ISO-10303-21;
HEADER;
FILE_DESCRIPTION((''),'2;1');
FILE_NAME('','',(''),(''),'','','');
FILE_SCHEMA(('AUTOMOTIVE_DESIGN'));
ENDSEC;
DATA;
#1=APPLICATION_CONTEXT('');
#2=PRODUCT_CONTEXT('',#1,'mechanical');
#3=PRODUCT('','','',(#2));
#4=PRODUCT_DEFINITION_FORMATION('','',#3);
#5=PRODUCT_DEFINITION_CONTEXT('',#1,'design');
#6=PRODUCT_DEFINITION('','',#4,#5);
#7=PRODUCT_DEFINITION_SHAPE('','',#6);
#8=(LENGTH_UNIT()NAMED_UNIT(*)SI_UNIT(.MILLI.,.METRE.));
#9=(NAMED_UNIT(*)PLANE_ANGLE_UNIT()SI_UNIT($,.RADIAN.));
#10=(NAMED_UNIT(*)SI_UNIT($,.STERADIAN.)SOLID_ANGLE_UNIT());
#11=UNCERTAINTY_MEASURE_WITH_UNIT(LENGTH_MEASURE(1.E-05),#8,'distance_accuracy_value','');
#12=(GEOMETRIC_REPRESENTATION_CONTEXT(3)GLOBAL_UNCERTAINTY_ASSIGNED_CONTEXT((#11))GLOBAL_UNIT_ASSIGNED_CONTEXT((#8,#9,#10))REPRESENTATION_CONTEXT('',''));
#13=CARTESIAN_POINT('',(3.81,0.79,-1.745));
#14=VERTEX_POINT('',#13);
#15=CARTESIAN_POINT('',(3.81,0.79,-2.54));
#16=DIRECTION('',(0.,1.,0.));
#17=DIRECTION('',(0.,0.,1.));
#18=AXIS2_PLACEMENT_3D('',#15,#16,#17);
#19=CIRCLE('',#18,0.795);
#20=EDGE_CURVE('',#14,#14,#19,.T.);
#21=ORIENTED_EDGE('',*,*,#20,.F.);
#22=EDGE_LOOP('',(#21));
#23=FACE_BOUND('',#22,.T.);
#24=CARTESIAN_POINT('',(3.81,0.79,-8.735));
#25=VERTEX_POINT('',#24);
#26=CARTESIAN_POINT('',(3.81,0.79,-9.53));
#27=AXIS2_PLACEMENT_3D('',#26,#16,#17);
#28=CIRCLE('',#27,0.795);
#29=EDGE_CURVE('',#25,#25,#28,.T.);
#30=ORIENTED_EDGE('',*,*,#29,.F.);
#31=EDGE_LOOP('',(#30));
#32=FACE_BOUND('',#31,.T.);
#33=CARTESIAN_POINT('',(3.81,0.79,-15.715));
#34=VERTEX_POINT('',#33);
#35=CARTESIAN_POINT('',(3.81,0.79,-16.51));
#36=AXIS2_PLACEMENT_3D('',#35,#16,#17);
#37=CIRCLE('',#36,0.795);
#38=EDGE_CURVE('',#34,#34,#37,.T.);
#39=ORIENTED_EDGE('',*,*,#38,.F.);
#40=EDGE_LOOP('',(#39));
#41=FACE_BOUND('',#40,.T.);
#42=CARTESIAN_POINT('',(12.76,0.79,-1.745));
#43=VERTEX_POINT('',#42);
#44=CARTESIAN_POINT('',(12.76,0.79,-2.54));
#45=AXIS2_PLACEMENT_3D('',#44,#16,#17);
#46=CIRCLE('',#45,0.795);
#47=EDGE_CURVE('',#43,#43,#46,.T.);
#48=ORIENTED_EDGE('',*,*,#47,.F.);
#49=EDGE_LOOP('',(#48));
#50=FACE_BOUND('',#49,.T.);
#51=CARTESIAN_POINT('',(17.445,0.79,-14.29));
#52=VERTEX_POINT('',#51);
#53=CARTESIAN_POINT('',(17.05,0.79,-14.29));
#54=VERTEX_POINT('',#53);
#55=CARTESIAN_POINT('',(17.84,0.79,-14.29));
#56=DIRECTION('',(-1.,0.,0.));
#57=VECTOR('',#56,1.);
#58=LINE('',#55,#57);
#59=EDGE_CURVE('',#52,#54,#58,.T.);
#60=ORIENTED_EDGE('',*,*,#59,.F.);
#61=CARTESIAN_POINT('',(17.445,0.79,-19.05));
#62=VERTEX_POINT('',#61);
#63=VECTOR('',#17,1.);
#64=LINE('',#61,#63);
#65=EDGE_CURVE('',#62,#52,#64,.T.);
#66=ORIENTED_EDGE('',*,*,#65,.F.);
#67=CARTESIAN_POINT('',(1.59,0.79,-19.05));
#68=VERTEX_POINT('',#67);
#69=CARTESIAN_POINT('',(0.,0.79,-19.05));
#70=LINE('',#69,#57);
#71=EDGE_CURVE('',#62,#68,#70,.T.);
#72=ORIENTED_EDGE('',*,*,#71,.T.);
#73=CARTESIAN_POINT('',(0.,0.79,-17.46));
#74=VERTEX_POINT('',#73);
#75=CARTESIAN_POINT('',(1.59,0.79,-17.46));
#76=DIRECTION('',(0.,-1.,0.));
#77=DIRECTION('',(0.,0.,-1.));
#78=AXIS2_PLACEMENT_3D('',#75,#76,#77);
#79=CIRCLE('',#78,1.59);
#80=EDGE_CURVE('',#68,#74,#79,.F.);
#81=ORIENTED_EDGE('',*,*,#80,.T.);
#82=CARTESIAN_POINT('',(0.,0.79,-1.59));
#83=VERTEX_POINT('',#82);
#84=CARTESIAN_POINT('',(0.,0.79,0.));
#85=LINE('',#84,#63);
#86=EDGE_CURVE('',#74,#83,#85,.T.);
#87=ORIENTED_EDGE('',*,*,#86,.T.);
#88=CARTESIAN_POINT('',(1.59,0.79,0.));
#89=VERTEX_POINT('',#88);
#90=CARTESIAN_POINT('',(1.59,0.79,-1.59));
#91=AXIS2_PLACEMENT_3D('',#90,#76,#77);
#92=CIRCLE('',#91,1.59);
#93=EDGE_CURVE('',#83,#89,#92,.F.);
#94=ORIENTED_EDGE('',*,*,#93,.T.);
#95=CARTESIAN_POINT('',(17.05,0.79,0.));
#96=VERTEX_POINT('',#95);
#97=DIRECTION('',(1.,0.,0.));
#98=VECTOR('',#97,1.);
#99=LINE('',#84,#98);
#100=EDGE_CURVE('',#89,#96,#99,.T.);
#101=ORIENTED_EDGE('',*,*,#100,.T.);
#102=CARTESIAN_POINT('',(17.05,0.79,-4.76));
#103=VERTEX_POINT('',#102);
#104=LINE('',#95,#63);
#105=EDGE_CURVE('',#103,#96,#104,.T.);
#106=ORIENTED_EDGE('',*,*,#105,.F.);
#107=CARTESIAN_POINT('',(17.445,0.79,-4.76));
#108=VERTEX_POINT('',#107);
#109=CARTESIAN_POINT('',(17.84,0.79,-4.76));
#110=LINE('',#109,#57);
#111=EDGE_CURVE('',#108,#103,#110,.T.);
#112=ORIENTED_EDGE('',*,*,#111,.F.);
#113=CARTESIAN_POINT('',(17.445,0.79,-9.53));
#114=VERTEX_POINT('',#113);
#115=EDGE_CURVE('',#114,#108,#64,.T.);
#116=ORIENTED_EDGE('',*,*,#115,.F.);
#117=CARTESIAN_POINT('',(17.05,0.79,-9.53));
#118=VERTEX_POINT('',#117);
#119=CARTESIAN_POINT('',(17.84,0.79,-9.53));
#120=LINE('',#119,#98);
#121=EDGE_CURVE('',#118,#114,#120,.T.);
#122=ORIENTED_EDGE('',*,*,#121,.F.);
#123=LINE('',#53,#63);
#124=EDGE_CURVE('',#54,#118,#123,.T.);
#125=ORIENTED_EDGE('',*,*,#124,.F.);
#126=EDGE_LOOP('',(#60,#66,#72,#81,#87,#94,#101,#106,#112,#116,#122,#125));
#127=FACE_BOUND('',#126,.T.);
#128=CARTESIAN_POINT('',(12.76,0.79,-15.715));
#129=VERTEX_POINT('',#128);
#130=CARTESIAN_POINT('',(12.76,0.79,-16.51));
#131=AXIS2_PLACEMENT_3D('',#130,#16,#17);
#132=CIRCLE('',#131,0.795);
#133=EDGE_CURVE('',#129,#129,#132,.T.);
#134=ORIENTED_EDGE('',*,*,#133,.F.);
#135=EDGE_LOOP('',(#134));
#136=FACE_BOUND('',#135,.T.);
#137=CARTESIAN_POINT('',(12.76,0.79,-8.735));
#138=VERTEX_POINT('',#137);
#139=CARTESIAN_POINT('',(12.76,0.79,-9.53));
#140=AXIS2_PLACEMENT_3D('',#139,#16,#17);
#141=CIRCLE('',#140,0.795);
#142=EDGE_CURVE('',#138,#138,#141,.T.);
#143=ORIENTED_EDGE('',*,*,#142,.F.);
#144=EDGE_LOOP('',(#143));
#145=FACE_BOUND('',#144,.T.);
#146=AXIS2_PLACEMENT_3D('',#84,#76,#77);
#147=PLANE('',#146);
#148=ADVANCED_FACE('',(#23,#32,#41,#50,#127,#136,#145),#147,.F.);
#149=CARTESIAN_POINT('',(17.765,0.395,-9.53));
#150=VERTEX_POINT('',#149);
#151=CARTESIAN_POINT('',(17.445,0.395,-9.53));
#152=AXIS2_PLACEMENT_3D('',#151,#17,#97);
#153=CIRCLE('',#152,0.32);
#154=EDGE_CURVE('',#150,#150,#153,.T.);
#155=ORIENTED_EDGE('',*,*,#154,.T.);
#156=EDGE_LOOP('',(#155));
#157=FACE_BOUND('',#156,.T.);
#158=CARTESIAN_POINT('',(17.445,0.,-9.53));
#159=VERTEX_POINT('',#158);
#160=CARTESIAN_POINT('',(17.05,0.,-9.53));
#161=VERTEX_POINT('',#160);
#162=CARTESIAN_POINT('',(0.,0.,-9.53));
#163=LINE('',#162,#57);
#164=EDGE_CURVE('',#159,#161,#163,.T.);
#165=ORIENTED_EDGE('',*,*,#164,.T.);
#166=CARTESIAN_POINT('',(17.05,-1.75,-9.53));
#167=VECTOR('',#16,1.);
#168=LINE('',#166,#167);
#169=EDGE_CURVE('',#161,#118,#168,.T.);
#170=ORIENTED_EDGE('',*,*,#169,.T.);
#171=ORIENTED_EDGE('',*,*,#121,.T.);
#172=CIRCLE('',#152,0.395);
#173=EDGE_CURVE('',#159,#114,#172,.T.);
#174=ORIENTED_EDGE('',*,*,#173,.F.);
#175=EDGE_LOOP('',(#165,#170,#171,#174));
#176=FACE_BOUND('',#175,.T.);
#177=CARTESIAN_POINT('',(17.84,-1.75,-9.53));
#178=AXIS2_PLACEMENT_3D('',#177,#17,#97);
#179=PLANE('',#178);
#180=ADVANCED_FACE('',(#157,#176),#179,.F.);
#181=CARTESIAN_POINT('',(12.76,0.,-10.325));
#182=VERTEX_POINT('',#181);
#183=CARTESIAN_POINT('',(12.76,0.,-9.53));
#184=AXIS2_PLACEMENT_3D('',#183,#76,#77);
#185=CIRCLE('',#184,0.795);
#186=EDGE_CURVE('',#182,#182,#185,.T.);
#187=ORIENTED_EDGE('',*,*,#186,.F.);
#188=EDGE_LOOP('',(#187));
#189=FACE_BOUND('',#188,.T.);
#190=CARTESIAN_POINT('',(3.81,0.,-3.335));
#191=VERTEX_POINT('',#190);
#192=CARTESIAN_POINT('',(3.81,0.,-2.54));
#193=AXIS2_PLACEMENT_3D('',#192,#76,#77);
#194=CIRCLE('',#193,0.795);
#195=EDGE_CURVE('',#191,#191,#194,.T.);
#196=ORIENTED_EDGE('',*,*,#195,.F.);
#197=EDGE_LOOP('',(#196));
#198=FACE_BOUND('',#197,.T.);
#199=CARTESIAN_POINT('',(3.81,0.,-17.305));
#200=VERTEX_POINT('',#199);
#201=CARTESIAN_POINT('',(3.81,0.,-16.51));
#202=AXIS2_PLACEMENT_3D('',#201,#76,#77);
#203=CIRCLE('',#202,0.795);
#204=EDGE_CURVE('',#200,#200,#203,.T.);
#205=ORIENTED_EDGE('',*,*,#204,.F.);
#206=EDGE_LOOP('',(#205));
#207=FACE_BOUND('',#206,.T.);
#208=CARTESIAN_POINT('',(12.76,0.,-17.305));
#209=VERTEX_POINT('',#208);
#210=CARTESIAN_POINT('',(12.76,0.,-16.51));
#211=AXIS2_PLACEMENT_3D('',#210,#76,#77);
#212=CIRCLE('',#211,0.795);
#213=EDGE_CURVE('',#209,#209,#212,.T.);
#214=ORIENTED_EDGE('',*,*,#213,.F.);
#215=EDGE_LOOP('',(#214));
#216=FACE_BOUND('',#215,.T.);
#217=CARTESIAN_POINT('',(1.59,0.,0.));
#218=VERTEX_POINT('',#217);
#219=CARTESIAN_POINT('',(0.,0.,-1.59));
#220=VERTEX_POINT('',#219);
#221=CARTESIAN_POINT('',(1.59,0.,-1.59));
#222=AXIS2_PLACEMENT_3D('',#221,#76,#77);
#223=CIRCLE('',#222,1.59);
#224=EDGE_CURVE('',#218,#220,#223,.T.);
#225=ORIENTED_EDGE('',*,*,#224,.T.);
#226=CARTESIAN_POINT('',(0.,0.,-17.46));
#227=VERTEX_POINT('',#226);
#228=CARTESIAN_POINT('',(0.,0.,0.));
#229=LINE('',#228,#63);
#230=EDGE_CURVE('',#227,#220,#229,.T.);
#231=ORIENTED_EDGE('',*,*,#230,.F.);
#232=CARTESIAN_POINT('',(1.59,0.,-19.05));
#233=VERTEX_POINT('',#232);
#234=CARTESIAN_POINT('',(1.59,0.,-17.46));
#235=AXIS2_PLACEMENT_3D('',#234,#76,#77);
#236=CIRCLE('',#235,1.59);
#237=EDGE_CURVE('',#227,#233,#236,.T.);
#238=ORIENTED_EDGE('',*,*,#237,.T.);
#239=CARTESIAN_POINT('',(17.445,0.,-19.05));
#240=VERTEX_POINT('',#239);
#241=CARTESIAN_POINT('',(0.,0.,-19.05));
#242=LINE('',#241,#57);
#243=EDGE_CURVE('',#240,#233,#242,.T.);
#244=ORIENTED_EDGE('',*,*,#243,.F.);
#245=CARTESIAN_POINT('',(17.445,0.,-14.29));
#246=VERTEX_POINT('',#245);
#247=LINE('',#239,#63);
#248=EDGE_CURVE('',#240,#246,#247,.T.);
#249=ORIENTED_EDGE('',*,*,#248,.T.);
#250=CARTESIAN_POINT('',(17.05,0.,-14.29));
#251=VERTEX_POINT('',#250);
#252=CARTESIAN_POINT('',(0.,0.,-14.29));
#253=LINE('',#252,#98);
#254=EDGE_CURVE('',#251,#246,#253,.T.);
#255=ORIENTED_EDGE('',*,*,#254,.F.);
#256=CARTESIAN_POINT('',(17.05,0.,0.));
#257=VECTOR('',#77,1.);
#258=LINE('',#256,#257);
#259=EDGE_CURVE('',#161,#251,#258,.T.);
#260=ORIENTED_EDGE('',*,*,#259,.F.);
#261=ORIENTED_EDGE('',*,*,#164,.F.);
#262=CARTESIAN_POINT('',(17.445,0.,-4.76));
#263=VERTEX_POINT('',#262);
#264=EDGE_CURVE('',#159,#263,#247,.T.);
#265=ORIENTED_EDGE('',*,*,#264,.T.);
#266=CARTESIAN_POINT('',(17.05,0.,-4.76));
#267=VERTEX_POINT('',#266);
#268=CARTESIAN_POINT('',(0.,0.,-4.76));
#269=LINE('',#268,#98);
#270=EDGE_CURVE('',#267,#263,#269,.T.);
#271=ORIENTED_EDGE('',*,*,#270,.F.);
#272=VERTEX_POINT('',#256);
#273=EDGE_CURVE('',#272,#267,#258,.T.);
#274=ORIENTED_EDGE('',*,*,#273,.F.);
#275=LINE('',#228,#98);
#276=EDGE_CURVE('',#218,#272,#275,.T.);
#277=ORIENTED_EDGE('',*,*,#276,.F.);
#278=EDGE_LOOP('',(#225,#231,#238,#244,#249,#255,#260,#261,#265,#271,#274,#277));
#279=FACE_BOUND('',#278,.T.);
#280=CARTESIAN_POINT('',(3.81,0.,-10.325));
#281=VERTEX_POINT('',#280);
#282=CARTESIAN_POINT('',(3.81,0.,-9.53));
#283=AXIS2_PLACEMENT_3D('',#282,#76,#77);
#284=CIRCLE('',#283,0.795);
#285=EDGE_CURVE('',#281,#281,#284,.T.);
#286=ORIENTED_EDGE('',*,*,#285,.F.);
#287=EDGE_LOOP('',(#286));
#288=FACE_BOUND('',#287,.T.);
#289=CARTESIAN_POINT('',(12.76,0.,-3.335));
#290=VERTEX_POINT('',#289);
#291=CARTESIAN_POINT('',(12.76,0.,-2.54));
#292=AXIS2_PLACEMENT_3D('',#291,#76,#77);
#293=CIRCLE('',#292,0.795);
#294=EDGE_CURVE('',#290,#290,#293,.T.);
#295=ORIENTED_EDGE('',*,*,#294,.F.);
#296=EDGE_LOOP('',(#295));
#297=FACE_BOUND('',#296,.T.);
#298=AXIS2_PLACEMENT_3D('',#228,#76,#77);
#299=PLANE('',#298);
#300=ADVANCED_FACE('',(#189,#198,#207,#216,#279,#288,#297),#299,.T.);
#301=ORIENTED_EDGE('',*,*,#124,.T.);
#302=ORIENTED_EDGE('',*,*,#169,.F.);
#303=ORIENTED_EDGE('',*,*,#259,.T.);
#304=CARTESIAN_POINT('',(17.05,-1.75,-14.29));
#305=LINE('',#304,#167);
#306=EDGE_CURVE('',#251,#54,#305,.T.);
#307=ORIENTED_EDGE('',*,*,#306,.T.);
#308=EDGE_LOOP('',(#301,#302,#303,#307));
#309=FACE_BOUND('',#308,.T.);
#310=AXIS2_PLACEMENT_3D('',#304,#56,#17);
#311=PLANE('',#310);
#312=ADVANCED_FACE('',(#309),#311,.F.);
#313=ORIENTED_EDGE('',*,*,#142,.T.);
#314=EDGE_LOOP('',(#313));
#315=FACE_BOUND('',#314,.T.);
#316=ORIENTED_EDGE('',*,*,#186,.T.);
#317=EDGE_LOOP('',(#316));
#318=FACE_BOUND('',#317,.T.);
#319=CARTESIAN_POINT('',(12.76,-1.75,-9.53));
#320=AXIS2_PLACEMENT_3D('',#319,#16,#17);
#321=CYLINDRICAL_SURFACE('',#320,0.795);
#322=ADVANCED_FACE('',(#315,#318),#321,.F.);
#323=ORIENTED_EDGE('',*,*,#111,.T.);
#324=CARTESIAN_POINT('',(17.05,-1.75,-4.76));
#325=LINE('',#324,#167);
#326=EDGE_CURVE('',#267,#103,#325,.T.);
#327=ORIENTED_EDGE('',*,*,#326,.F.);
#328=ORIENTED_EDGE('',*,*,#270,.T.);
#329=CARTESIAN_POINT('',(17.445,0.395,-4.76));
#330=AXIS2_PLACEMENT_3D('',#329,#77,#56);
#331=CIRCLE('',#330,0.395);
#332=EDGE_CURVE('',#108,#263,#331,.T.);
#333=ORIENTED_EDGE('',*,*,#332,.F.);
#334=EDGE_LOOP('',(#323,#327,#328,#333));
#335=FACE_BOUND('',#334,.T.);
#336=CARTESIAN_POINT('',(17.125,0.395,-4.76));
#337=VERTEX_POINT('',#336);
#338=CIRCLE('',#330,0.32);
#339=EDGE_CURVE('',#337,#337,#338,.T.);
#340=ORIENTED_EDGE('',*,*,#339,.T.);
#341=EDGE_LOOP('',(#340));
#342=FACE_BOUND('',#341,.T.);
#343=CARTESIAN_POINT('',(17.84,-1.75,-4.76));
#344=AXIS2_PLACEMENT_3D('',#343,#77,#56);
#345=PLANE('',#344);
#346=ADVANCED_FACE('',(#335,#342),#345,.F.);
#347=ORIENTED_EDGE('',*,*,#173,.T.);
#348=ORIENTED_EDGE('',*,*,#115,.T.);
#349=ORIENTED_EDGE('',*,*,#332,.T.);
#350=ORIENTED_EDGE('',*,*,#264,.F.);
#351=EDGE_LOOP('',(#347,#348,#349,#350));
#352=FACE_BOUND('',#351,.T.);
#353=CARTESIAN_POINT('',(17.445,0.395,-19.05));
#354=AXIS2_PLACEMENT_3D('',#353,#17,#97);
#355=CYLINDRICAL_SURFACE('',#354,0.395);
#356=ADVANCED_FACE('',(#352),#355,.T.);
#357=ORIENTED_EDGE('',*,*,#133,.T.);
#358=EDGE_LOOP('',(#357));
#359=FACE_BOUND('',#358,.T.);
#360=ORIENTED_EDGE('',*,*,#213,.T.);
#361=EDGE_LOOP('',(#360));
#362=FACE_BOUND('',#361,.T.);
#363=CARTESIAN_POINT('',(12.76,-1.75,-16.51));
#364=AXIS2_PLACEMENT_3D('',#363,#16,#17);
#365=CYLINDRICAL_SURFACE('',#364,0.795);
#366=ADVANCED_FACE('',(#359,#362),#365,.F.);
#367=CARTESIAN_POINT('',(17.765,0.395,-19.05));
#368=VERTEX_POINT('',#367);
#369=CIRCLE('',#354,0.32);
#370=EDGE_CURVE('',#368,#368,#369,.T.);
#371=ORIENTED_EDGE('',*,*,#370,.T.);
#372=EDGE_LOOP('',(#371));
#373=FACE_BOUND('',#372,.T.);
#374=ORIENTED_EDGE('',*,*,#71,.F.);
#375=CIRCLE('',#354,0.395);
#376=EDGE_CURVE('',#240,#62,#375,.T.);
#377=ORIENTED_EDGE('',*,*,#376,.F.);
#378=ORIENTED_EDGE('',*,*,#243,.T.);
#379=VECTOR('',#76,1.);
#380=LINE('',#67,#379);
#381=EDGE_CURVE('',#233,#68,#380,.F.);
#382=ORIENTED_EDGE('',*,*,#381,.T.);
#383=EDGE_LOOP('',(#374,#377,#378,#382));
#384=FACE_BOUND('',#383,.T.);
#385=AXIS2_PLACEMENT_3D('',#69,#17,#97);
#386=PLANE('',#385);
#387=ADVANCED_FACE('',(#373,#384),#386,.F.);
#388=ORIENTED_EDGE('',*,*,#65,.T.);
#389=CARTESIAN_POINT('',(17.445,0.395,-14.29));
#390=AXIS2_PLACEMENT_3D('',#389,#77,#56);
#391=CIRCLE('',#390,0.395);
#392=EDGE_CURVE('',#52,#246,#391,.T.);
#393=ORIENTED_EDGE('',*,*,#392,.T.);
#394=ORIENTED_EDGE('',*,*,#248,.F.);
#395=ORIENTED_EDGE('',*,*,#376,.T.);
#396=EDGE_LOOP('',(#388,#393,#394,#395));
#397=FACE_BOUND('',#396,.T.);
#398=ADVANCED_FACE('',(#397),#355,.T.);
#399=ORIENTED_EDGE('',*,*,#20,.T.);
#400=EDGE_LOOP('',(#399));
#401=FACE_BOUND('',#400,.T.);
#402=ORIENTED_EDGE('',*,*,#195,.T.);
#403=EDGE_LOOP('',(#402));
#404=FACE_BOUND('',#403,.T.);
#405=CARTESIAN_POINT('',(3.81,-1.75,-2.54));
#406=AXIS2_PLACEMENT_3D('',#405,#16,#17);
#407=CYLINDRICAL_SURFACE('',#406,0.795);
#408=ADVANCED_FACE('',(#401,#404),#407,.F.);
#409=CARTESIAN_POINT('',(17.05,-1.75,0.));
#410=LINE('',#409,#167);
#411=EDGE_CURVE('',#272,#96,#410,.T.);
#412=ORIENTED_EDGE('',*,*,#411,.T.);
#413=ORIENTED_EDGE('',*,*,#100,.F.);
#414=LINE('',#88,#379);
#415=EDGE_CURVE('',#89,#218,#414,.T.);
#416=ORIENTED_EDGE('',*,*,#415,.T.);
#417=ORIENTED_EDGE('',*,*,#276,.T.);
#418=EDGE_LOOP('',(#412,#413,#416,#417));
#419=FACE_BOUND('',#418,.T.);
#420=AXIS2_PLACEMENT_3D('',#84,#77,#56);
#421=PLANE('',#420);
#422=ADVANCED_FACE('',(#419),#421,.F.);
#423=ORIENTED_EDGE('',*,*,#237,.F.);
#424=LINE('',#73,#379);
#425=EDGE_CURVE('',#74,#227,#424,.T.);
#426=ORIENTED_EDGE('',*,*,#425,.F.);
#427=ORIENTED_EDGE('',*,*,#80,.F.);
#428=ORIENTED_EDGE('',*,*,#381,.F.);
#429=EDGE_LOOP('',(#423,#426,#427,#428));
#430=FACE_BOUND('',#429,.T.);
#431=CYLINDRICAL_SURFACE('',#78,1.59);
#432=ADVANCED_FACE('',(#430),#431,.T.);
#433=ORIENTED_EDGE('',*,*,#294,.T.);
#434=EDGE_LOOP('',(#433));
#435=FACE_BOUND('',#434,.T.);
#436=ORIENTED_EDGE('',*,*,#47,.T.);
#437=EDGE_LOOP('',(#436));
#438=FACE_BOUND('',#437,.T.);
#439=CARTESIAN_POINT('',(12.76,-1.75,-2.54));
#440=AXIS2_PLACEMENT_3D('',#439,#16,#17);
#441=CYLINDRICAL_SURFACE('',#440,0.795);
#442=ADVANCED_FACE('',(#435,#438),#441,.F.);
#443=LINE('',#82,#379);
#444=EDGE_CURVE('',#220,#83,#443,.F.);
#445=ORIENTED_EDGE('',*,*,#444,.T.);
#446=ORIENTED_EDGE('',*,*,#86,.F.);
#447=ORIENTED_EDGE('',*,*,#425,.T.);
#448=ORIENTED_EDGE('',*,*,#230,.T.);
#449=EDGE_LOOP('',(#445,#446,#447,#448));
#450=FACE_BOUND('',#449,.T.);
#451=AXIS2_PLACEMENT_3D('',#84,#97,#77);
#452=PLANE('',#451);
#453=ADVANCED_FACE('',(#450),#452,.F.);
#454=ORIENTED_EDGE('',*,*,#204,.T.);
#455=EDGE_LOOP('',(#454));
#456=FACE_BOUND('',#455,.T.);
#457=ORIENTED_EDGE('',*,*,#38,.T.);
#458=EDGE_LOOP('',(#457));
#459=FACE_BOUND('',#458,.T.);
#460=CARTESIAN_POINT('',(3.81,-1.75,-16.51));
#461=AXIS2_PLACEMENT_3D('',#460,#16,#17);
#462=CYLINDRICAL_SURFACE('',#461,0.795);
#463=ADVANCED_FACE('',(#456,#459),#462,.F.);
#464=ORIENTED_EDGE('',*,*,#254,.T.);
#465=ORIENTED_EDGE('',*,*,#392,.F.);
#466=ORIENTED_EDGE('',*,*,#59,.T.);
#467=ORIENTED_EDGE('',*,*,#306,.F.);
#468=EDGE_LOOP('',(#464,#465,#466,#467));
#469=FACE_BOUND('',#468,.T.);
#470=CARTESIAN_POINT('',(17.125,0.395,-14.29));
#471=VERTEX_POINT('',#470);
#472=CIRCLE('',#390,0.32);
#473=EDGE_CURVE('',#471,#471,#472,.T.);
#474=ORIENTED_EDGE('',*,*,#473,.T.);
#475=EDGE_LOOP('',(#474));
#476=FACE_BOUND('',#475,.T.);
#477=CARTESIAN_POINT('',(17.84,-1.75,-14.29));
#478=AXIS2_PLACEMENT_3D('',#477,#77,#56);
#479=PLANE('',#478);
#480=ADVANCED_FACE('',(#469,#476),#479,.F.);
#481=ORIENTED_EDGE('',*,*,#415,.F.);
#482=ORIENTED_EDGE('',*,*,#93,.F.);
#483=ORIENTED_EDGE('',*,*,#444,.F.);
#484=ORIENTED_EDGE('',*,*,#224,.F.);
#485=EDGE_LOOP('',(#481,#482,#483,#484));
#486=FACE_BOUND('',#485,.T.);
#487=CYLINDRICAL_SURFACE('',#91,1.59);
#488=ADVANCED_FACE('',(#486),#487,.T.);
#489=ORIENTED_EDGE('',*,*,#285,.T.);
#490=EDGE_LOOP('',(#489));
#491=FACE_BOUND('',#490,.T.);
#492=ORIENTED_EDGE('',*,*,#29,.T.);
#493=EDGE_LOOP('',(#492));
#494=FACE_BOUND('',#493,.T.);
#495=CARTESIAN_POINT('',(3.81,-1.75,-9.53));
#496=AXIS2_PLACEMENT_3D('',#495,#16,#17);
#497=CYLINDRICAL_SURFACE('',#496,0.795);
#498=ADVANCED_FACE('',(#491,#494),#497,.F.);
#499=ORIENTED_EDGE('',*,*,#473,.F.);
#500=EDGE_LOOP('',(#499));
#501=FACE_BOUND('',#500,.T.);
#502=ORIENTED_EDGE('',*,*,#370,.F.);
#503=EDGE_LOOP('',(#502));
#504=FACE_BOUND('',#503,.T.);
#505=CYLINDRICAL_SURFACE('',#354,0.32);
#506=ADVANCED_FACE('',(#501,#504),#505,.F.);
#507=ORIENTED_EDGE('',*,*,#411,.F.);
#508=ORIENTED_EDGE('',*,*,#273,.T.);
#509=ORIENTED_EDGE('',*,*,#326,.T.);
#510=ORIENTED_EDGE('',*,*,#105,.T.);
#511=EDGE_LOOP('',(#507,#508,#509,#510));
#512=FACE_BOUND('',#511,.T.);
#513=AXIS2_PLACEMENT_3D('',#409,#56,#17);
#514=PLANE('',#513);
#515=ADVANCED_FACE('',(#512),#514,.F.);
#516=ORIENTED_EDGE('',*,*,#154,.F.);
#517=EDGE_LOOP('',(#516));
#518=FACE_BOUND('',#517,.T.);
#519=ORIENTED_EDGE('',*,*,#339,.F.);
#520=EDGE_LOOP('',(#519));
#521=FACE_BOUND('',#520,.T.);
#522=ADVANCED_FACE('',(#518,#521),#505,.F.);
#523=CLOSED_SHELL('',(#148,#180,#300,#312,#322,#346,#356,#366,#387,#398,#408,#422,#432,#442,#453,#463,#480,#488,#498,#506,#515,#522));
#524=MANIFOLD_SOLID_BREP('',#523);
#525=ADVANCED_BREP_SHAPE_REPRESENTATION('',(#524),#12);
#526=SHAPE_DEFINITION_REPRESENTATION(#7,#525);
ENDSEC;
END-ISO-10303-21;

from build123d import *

# Parameters (mm, degrees)
SKETCH1_W           = 17.84
SKETCH1_H           = 19.05
BOSS_EXTRUDE1_DEPTH = 0.79
SKETCH2_R           = 0.795
SKETCH2_W           = 0.789999944
SKETCH2_H           = 4.76
CUT_EXTRUDE1_DEPTH  = 2.54
SKETCH4_R           = 0.32
CUT_EXTRUDE2_DEPTH  = 27.111150875
FILLET1_R           = 1.590000122


with BuildPart() as part:
    # Sketch1 → Boss-Extrude1 (new body)
    with BuildSketch(Plane(origin=(0, 0, 0), x_dir=(1, 0, 0), z_dir=(0, 1, 0))):
        with Locations((8.92, 9.525)):
            Rectangle(SKETCH1_W, SKETCH1_H)
    extrude(amount=BOSS_EXTRUDE1_DEPTH)

    # Sketch2 → Cut-Extrude1 (cut)
    with BuildSketch(Plane(origin=(0, 0.79, 0), x_dir=(1, 0, 0), z_dir=(0, 1, 0))):
        with Locations(Location((12.76, 2.54, 0), (0, 0, 270))):
            Circle(SKETCH2_R)
        with Locations(Location((3.81, 2.54, 0), (0, 0, 270))):
            Circle(SKETCH2_R)
        with Locations(Location((3.81, 9.53, 0), (0, 0, 270))):
            Circle(SKETCH2_R)
        with Locations(Location((12.76, 9.53, 0), (0, 0, 270))):
            Circle(SKETCH2_R)
        with Locations(Location((12.76, 16.51, 0), (0, 0, 270))):
            Circle(SKETCH2_R)
        with Locations(Location((3.81, 16.51, 0), (0, 0, 270))):
            Circle(SKETCH2_R)
        with Locations((17.445000028, 11.91)):
            Rectangle(SKETCH2_W, SKETCH2_H)
        with Locations((17.445000028, 2.38)):
            Rectangle(SKETCH2_W, SKETCH2_H)
    extrude(amount=-CUT_EXTRUDE1_DEPTH, mode=Mode.SUBTRACT)

    # Sketch4 → Cut-Extrude2 (cut, through all)
    with BuildSketch(Plane.XY):
        with Locations((17.445000028, 0.395)):
            Circle(SKETCH4_R)
        with BuildLine():
            Line((17.84, 0.79), (17.445000028, 0.79))
            ThreePointArc((17.445000028, 0.79), (17.724307207, 0.674307179), (17.840000028, 0.395))
            Line((17.84, 0.395), (17.84, 0.79))
        make_face()
        with BuildLine():
            ThreePointArc((17.840000028, 0.395), (17.724307207, 0.115692821), (17.445000028, 0))
            Line((17.445000028, 0), (17.84, 0))
            Line((17.84, 0), (17.84, 0.395))
        make_face()
    extrude(amount=-CUT_EXTRUDE2_DEPTH, mode=Mode.SUBTRACT)

    # Fillet1
    fillet1_edges = [part.edges().sort_by_distance(p)[0] for p in [
        (0, 0.395, -19.05),
        (0, 0.395, 0),
    ]]
    fillet(fillet1_edges, radius=FILLET1_R)


solid = part.part
